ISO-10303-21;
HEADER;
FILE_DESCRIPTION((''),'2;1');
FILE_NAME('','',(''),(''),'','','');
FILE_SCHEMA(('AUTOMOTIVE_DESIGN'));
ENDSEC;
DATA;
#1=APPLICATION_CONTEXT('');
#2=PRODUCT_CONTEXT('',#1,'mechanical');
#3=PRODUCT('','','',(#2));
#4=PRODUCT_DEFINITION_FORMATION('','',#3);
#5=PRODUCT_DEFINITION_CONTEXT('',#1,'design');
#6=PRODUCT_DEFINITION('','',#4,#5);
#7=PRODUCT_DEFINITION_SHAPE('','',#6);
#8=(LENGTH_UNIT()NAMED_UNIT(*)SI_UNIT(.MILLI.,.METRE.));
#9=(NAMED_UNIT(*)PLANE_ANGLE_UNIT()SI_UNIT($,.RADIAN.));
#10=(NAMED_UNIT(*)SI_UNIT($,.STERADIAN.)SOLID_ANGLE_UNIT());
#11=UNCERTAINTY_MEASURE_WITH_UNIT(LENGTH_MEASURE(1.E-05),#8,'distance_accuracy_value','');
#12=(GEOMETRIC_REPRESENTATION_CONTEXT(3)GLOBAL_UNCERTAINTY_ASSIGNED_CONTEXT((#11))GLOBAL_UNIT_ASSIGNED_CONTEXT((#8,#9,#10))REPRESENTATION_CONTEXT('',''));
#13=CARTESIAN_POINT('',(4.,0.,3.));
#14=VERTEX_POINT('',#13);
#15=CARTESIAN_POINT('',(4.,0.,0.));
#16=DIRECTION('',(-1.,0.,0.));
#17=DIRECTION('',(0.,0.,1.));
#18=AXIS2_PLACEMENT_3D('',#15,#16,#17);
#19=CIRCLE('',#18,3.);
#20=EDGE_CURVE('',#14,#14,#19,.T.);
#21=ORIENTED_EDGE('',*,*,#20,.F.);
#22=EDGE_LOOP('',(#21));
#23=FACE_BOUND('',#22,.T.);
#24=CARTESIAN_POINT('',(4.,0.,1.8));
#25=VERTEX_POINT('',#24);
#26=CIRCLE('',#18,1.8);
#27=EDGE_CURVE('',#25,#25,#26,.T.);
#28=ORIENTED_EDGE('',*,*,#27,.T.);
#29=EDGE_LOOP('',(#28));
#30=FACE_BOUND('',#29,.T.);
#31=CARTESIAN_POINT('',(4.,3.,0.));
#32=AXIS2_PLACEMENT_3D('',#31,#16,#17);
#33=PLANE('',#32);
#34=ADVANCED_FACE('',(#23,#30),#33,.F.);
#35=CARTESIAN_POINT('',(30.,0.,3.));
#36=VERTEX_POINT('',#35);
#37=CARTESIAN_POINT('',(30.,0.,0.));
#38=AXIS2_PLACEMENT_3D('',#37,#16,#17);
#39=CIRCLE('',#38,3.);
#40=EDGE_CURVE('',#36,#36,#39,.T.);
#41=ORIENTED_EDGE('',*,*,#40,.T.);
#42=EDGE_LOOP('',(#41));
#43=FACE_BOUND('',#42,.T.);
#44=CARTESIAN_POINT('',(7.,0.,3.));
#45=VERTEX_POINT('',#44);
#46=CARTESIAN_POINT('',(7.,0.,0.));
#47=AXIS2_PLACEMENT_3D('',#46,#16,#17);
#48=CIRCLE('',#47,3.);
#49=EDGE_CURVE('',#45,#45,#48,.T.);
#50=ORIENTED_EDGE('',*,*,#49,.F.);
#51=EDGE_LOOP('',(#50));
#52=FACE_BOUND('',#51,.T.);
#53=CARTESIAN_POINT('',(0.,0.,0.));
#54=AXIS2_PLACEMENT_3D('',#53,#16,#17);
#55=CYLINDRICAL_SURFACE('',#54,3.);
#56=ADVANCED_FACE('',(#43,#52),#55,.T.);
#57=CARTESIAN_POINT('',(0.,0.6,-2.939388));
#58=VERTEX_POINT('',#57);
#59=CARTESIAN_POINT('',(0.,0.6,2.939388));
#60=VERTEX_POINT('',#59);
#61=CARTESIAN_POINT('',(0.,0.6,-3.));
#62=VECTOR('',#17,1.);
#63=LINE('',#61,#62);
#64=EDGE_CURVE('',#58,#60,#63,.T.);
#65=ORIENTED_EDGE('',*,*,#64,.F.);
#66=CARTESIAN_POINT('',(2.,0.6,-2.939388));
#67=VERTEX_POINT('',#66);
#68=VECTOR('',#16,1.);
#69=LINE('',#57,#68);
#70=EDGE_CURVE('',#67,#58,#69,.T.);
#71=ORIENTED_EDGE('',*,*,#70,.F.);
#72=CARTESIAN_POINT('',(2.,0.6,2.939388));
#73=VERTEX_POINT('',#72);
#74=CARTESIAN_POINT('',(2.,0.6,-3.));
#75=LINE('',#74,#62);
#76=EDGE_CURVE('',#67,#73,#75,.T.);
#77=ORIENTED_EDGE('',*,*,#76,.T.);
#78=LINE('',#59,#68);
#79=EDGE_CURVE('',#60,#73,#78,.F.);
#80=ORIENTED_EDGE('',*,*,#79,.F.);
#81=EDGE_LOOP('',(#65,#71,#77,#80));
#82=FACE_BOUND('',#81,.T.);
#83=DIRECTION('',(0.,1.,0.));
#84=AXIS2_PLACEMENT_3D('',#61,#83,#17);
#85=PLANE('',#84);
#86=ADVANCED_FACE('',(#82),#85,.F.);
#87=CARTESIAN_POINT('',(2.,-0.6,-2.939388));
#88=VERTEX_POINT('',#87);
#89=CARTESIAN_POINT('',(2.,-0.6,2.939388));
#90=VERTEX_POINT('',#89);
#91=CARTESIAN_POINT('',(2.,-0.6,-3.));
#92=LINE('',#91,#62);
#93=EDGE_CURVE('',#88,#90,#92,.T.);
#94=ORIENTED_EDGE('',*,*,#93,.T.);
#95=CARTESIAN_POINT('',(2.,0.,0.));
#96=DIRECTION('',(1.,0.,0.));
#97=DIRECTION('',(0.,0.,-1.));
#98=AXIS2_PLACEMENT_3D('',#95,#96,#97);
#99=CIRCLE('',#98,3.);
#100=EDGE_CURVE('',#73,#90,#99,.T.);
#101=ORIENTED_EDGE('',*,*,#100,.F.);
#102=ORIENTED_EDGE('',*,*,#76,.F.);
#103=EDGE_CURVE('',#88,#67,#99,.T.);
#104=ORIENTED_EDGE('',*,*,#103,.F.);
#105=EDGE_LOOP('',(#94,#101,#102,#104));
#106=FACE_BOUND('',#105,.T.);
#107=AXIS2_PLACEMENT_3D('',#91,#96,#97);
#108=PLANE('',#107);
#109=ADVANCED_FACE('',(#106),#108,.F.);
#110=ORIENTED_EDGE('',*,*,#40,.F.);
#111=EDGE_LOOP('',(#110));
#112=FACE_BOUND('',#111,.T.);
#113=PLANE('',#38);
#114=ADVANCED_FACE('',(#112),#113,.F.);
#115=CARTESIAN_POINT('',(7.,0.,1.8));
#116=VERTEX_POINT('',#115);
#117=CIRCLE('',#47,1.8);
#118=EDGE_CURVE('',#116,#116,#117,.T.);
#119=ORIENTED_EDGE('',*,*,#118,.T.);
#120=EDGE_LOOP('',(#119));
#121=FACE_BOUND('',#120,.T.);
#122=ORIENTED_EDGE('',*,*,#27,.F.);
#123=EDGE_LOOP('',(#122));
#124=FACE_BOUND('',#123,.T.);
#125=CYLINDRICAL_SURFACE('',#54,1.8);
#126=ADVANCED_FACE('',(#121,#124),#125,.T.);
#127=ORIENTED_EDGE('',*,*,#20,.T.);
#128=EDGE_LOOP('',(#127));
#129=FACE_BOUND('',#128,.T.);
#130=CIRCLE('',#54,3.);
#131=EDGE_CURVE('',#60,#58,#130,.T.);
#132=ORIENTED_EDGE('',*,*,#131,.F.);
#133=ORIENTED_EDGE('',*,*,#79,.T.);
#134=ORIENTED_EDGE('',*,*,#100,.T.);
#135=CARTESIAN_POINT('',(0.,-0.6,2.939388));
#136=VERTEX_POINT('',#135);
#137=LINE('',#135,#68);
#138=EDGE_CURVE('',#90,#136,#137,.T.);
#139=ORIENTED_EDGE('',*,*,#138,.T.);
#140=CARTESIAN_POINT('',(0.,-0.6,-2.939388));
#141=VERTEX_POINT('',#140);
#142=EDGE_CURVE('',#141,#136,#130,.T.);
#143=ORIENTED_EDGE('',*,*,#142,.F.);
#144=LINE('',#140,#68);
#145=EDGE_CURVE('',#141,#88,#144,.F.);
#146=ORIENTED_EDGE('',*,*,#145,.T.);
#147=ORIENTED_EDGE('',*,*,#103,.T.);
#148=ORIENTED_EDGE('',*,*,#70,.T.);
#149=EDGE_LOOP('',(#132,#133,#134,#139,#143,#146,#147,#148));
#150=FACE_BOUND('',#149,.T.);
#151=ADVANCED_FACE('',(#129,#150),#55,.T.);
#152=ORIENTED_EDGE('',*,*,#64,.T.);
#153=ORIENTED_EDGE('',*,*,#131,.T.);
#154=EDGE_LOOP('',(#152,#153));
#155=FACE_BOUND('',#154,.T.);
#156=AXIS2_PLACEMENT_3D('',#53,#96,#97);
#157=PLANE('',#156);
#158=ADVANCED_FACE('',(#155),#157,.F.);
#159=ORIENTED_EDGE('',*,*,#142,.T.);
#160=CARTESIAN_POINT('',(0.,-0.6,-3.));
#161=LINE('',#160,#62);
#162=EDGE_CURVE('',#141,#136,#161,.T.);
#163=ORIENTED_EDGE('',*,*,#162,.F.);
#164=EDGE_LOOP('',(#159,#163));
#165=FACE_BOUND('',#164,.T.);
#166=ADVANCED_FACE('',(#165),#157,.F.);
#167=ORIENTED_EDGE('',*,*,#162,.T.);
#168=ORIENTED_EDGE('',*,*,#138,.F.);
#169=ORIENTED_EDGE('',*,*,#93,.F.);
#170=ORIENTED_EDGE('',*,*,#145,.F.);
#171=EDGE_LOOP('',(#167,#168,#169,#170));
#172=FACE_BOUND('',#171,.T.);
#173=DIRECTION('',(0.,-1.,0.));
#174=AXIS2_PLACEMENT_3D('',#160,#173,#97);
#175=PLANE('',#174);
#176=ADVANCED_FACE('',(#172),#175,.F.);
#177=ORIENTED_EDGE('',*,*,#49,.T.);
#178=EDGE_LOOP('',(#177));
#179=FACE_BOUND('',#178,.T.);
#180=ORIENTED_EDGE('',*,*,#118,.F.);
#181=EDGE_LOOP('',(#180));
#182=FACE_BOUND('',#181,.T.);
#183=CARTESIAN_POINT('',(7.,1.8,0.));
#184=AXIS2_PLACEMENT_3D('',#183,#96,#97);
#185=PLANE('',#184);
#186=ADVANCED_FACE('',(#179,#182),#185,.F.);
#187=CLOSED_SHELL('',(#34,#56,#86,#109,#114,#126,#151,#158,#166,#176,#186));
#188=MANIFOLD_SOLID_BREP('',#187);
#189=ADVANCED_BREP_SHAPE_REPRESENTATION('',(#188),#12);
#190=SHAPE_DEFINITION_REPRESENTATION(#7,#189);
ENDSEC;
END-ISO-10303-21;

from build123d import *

# Parameters (mm, degrees)
CUT_EXTRUDE1_DEPTH      = 31.298514815
CUT_EXTRUDE1_DEPTH_BACK = 31.298514815
SKETCH2_W               = 2
SKETCH2_H               = 1.2


with BuildPart() as part:
    # Sketch1 → Revolve1 (revolve)
    with BuildSketch(Plane.XY, mode=Mode.PRIVATE) as revolve1_sk:
        Polygon((4, 3), (4, 1.8), (7, 1.8), (7, 3), (30, 3), (30, 0), (0, 0), (0, 3), align=None)
    revolve(revolve1_sk.sketch.rotate(Axis((0, 0, 0), (1, 0, 0)), 90), axis=Axis((0, 0, 0), (1, 0, 0)))

    # Sketch2 → Cut-Extrude1 (cut, two sides: drawn at the far end of the back side and taken through both)
    with BuildSketch(Plane.XY.offset(-CUT_EXTRUDE1_DEPTH_BACK)):
        with Locations((1, 0)):
            Rectangle(SKETCH2_W, SKETCH2_H)
    extrude(amount=CUT_EXTRUDE1_DEPTH + CUT_EXTRUDE1_DEPTH_BACK, mode=Mode.SUBTRACT)


solid = part.part
